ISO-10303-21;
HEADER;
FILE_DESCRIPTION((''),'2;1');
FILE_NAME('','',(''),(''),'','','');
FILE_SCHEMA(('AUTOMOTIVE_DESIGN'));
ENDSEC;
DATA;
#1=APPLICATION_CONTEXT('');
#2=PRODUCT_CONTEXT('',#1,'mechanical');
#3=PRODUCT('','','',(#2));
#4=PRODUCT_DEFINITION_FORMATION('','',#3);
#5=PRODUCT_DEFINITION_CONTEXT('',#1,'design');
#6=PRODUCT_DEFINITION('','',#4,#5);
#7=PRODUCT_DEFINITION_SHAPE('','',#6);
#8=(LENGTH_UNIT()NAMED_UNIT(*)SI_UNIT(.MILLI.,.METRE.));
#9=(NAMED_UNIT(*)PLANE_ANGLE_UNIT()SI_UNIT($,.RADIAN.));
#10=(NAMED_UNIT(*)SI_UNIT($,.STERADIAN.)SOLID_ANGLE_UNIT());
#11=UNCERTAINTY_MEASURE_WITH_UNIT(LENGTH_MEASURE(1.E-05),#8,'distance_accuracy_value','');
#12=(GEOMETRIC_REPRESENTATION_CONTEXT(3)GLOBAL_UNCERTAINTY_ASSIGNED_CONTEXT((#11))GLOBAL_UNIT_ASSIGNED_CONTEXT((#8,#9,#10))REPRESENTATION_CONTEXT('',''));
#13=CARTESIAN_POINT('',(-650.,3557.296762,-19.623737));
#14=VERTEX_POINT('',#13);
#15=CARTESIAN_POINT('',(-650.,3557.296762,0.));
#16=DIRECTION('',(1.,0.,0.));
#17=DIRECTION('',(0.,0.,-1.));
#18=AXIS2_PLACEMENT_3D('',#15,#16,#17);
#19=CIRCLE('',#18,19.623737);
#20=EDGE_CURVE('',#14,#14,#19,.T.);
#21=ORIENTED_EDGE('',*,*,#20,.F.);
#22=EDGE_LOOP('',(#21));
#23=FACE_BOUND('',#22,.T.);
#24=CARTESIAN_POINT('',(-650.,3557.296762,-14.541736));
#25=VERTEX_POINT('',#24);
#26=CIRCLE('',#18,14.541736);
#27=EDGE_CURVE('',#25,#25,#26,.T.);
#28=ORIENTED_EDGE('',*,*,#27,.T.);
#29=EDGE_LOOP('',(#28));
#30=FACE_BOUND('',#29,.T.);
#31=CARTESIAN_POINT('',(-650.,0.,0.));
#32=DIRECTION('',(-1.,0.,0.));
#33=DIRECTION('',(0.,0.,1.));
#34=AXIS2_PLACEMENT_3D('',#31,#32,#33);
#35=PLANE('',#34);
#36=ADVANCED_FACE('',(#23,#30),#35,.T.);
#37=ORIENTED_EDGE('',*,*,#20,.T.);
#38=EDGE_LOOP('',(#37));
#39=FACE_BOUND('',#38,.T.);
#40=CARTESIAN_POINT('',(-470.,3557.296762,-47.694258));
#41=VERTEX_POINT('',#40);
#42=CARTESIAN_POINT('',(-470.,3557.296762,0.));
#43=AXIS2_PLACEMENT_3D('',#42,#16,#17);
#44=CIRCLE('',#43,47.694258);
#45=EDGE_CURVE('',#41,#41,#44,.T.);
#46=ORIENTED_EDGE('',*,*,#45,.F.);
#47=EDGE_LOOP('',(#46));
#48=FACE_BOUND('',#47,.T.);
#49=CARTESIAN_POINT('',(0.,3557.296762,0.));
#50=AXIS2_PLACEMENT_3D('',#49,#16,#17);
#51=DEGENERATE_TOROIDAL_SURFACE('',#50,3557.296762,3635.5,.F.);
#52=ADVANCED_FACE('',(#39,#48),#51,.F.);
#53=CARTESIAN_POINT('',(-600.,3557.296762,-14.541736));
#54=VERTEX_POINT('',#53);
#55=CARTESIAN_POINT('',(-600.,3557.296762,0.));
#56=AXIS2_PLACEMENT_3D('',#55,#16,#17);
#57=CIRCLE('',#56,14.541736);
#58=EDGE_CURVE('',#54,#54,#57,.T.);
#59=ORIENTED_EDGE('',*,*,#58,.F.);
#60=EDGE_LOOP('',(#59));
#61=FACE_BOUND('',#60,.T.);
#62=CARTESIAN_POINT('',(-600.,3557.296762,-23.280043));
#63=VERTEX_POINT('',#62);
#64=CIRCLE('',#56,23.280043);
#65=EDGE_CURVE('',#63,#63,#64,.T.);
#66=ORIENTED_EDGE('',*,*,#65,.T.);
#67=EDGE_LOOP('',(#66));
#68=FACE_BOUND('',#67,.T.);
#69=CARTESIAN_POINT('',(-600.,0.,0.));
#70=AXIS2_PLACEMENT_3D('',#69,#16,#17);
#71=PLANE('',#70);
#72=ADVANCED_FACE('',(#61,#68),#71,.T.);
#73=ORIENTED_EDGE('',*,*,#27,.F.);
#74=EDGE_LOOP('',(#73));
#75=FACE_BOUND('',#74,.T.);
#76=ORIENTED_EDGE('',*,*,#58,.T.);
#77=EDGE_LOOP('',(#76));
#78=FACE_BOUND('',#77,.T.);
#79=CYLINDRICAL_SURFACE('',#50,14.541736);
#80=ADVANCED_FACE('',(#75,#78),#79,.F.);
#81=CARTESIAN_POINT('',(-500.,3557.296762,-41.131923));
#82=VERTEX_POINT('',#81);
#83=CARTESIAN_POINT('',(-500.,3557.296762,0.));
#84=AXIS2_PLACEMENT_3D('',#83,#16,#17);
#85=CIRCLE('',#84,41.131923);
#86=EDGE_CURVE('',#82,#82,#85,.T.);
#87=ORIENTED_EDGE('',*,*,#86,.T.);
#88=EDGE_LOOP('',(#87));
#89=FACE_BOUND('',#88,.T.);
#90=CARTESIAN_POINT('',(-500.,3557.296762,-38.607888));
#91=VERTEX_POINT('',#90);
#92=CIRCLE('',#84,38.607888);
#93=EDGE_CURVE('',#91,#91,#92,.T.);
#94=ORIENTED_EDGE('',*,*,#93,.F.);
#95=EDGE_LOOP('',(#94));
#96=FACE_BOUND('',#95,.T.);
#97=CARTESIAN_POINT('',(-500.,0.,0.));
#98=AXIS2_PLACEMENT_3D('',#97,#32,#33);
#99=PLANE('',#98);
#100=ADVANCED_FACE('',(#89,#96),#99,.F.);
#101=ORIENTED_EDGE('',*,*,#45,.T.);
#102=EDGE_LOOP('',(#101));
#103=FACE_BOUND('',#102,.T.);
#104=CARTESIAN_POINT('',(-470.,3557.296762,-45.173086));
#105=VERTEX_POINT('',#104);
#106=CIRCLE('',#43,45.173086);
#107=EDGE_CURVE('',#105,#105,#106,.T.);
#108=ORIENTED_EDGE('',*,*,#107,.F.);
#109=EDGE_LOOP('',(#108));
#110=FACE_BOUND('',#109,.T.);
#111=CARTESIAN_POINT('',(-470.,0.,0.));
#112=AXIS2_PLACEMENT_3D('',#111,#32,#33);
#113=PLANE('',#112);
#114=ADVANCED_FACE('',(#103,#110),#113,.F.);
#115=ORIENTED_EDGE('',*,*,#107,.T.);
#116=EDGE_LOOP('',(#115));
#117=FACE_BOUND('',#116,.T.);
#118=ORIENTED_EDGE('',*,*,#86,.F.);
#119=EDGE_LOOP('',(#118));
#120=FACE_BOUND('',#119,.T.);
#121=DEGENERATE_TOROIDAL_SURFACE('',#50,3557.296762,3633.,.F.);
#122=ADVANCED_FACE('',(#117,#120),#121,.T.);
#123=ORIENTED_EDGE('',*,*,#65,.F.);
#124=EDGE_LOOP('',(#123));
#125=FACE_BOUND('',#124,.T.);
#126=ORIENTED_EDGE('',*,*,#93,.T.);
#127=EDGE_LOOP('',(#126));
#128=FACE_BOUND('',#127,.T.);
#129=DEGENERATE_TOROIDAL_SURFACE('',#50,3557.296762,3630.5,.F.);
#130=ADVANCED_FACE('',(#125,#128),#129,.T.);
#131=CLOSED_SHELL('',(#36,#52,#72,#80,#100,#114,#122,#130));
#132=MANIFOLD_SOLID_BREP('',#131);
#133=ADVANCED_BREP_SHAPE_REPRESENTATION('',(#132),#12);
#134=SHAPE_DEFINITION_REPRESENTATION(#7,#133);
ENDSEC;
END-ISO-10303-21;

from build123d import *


with BuildPart() as part:
    # Sketch1 → Revolve1 (revolve)
    with BuildSketch(Plane.XY, mode=Mode.PRIVATE) as revolve1_sk:
        with BuildLine():
            Line((-470, 3602.469847202), (-470, 3604.991019406))
            ThreePointArc((-470, 3604.991019406), (-560.175855014, 3592.083415159), (-650, 3576.920498138))
            Line((-650, 3576.920498138), (-650, 3571.838497189))
            Line((-650, 3571.838497189), (-600, 3571.838497189))
            Line((-600, 3571.838497189), (-600, 3580.576804092))
            ThreePointArc((-600, 3580.576804092), (-550.053393511, 3588.589070134), (-499.999999999, 3595.904649737))
            Line((-499.999999999, 3595.904649737), (-499.999999999, 3598.125802414))
            Line((-499.999999999, 3598.125802414), (-499.999999999, 3598.428684857))
            ThreePointArc((-499.999999999, 3598.428684857), (-485.004209, 3600.480511995), (-470, 3602.469847202))
        make_face()
    revolve(revolve1_sk.sketch.rotate(Axis((0, 3557.296761587, 0), (-1, 0, 0)), 90), axis=Axis((0, 3557.296761587, 0), (-1, 0, 0)))


solid = part.part
